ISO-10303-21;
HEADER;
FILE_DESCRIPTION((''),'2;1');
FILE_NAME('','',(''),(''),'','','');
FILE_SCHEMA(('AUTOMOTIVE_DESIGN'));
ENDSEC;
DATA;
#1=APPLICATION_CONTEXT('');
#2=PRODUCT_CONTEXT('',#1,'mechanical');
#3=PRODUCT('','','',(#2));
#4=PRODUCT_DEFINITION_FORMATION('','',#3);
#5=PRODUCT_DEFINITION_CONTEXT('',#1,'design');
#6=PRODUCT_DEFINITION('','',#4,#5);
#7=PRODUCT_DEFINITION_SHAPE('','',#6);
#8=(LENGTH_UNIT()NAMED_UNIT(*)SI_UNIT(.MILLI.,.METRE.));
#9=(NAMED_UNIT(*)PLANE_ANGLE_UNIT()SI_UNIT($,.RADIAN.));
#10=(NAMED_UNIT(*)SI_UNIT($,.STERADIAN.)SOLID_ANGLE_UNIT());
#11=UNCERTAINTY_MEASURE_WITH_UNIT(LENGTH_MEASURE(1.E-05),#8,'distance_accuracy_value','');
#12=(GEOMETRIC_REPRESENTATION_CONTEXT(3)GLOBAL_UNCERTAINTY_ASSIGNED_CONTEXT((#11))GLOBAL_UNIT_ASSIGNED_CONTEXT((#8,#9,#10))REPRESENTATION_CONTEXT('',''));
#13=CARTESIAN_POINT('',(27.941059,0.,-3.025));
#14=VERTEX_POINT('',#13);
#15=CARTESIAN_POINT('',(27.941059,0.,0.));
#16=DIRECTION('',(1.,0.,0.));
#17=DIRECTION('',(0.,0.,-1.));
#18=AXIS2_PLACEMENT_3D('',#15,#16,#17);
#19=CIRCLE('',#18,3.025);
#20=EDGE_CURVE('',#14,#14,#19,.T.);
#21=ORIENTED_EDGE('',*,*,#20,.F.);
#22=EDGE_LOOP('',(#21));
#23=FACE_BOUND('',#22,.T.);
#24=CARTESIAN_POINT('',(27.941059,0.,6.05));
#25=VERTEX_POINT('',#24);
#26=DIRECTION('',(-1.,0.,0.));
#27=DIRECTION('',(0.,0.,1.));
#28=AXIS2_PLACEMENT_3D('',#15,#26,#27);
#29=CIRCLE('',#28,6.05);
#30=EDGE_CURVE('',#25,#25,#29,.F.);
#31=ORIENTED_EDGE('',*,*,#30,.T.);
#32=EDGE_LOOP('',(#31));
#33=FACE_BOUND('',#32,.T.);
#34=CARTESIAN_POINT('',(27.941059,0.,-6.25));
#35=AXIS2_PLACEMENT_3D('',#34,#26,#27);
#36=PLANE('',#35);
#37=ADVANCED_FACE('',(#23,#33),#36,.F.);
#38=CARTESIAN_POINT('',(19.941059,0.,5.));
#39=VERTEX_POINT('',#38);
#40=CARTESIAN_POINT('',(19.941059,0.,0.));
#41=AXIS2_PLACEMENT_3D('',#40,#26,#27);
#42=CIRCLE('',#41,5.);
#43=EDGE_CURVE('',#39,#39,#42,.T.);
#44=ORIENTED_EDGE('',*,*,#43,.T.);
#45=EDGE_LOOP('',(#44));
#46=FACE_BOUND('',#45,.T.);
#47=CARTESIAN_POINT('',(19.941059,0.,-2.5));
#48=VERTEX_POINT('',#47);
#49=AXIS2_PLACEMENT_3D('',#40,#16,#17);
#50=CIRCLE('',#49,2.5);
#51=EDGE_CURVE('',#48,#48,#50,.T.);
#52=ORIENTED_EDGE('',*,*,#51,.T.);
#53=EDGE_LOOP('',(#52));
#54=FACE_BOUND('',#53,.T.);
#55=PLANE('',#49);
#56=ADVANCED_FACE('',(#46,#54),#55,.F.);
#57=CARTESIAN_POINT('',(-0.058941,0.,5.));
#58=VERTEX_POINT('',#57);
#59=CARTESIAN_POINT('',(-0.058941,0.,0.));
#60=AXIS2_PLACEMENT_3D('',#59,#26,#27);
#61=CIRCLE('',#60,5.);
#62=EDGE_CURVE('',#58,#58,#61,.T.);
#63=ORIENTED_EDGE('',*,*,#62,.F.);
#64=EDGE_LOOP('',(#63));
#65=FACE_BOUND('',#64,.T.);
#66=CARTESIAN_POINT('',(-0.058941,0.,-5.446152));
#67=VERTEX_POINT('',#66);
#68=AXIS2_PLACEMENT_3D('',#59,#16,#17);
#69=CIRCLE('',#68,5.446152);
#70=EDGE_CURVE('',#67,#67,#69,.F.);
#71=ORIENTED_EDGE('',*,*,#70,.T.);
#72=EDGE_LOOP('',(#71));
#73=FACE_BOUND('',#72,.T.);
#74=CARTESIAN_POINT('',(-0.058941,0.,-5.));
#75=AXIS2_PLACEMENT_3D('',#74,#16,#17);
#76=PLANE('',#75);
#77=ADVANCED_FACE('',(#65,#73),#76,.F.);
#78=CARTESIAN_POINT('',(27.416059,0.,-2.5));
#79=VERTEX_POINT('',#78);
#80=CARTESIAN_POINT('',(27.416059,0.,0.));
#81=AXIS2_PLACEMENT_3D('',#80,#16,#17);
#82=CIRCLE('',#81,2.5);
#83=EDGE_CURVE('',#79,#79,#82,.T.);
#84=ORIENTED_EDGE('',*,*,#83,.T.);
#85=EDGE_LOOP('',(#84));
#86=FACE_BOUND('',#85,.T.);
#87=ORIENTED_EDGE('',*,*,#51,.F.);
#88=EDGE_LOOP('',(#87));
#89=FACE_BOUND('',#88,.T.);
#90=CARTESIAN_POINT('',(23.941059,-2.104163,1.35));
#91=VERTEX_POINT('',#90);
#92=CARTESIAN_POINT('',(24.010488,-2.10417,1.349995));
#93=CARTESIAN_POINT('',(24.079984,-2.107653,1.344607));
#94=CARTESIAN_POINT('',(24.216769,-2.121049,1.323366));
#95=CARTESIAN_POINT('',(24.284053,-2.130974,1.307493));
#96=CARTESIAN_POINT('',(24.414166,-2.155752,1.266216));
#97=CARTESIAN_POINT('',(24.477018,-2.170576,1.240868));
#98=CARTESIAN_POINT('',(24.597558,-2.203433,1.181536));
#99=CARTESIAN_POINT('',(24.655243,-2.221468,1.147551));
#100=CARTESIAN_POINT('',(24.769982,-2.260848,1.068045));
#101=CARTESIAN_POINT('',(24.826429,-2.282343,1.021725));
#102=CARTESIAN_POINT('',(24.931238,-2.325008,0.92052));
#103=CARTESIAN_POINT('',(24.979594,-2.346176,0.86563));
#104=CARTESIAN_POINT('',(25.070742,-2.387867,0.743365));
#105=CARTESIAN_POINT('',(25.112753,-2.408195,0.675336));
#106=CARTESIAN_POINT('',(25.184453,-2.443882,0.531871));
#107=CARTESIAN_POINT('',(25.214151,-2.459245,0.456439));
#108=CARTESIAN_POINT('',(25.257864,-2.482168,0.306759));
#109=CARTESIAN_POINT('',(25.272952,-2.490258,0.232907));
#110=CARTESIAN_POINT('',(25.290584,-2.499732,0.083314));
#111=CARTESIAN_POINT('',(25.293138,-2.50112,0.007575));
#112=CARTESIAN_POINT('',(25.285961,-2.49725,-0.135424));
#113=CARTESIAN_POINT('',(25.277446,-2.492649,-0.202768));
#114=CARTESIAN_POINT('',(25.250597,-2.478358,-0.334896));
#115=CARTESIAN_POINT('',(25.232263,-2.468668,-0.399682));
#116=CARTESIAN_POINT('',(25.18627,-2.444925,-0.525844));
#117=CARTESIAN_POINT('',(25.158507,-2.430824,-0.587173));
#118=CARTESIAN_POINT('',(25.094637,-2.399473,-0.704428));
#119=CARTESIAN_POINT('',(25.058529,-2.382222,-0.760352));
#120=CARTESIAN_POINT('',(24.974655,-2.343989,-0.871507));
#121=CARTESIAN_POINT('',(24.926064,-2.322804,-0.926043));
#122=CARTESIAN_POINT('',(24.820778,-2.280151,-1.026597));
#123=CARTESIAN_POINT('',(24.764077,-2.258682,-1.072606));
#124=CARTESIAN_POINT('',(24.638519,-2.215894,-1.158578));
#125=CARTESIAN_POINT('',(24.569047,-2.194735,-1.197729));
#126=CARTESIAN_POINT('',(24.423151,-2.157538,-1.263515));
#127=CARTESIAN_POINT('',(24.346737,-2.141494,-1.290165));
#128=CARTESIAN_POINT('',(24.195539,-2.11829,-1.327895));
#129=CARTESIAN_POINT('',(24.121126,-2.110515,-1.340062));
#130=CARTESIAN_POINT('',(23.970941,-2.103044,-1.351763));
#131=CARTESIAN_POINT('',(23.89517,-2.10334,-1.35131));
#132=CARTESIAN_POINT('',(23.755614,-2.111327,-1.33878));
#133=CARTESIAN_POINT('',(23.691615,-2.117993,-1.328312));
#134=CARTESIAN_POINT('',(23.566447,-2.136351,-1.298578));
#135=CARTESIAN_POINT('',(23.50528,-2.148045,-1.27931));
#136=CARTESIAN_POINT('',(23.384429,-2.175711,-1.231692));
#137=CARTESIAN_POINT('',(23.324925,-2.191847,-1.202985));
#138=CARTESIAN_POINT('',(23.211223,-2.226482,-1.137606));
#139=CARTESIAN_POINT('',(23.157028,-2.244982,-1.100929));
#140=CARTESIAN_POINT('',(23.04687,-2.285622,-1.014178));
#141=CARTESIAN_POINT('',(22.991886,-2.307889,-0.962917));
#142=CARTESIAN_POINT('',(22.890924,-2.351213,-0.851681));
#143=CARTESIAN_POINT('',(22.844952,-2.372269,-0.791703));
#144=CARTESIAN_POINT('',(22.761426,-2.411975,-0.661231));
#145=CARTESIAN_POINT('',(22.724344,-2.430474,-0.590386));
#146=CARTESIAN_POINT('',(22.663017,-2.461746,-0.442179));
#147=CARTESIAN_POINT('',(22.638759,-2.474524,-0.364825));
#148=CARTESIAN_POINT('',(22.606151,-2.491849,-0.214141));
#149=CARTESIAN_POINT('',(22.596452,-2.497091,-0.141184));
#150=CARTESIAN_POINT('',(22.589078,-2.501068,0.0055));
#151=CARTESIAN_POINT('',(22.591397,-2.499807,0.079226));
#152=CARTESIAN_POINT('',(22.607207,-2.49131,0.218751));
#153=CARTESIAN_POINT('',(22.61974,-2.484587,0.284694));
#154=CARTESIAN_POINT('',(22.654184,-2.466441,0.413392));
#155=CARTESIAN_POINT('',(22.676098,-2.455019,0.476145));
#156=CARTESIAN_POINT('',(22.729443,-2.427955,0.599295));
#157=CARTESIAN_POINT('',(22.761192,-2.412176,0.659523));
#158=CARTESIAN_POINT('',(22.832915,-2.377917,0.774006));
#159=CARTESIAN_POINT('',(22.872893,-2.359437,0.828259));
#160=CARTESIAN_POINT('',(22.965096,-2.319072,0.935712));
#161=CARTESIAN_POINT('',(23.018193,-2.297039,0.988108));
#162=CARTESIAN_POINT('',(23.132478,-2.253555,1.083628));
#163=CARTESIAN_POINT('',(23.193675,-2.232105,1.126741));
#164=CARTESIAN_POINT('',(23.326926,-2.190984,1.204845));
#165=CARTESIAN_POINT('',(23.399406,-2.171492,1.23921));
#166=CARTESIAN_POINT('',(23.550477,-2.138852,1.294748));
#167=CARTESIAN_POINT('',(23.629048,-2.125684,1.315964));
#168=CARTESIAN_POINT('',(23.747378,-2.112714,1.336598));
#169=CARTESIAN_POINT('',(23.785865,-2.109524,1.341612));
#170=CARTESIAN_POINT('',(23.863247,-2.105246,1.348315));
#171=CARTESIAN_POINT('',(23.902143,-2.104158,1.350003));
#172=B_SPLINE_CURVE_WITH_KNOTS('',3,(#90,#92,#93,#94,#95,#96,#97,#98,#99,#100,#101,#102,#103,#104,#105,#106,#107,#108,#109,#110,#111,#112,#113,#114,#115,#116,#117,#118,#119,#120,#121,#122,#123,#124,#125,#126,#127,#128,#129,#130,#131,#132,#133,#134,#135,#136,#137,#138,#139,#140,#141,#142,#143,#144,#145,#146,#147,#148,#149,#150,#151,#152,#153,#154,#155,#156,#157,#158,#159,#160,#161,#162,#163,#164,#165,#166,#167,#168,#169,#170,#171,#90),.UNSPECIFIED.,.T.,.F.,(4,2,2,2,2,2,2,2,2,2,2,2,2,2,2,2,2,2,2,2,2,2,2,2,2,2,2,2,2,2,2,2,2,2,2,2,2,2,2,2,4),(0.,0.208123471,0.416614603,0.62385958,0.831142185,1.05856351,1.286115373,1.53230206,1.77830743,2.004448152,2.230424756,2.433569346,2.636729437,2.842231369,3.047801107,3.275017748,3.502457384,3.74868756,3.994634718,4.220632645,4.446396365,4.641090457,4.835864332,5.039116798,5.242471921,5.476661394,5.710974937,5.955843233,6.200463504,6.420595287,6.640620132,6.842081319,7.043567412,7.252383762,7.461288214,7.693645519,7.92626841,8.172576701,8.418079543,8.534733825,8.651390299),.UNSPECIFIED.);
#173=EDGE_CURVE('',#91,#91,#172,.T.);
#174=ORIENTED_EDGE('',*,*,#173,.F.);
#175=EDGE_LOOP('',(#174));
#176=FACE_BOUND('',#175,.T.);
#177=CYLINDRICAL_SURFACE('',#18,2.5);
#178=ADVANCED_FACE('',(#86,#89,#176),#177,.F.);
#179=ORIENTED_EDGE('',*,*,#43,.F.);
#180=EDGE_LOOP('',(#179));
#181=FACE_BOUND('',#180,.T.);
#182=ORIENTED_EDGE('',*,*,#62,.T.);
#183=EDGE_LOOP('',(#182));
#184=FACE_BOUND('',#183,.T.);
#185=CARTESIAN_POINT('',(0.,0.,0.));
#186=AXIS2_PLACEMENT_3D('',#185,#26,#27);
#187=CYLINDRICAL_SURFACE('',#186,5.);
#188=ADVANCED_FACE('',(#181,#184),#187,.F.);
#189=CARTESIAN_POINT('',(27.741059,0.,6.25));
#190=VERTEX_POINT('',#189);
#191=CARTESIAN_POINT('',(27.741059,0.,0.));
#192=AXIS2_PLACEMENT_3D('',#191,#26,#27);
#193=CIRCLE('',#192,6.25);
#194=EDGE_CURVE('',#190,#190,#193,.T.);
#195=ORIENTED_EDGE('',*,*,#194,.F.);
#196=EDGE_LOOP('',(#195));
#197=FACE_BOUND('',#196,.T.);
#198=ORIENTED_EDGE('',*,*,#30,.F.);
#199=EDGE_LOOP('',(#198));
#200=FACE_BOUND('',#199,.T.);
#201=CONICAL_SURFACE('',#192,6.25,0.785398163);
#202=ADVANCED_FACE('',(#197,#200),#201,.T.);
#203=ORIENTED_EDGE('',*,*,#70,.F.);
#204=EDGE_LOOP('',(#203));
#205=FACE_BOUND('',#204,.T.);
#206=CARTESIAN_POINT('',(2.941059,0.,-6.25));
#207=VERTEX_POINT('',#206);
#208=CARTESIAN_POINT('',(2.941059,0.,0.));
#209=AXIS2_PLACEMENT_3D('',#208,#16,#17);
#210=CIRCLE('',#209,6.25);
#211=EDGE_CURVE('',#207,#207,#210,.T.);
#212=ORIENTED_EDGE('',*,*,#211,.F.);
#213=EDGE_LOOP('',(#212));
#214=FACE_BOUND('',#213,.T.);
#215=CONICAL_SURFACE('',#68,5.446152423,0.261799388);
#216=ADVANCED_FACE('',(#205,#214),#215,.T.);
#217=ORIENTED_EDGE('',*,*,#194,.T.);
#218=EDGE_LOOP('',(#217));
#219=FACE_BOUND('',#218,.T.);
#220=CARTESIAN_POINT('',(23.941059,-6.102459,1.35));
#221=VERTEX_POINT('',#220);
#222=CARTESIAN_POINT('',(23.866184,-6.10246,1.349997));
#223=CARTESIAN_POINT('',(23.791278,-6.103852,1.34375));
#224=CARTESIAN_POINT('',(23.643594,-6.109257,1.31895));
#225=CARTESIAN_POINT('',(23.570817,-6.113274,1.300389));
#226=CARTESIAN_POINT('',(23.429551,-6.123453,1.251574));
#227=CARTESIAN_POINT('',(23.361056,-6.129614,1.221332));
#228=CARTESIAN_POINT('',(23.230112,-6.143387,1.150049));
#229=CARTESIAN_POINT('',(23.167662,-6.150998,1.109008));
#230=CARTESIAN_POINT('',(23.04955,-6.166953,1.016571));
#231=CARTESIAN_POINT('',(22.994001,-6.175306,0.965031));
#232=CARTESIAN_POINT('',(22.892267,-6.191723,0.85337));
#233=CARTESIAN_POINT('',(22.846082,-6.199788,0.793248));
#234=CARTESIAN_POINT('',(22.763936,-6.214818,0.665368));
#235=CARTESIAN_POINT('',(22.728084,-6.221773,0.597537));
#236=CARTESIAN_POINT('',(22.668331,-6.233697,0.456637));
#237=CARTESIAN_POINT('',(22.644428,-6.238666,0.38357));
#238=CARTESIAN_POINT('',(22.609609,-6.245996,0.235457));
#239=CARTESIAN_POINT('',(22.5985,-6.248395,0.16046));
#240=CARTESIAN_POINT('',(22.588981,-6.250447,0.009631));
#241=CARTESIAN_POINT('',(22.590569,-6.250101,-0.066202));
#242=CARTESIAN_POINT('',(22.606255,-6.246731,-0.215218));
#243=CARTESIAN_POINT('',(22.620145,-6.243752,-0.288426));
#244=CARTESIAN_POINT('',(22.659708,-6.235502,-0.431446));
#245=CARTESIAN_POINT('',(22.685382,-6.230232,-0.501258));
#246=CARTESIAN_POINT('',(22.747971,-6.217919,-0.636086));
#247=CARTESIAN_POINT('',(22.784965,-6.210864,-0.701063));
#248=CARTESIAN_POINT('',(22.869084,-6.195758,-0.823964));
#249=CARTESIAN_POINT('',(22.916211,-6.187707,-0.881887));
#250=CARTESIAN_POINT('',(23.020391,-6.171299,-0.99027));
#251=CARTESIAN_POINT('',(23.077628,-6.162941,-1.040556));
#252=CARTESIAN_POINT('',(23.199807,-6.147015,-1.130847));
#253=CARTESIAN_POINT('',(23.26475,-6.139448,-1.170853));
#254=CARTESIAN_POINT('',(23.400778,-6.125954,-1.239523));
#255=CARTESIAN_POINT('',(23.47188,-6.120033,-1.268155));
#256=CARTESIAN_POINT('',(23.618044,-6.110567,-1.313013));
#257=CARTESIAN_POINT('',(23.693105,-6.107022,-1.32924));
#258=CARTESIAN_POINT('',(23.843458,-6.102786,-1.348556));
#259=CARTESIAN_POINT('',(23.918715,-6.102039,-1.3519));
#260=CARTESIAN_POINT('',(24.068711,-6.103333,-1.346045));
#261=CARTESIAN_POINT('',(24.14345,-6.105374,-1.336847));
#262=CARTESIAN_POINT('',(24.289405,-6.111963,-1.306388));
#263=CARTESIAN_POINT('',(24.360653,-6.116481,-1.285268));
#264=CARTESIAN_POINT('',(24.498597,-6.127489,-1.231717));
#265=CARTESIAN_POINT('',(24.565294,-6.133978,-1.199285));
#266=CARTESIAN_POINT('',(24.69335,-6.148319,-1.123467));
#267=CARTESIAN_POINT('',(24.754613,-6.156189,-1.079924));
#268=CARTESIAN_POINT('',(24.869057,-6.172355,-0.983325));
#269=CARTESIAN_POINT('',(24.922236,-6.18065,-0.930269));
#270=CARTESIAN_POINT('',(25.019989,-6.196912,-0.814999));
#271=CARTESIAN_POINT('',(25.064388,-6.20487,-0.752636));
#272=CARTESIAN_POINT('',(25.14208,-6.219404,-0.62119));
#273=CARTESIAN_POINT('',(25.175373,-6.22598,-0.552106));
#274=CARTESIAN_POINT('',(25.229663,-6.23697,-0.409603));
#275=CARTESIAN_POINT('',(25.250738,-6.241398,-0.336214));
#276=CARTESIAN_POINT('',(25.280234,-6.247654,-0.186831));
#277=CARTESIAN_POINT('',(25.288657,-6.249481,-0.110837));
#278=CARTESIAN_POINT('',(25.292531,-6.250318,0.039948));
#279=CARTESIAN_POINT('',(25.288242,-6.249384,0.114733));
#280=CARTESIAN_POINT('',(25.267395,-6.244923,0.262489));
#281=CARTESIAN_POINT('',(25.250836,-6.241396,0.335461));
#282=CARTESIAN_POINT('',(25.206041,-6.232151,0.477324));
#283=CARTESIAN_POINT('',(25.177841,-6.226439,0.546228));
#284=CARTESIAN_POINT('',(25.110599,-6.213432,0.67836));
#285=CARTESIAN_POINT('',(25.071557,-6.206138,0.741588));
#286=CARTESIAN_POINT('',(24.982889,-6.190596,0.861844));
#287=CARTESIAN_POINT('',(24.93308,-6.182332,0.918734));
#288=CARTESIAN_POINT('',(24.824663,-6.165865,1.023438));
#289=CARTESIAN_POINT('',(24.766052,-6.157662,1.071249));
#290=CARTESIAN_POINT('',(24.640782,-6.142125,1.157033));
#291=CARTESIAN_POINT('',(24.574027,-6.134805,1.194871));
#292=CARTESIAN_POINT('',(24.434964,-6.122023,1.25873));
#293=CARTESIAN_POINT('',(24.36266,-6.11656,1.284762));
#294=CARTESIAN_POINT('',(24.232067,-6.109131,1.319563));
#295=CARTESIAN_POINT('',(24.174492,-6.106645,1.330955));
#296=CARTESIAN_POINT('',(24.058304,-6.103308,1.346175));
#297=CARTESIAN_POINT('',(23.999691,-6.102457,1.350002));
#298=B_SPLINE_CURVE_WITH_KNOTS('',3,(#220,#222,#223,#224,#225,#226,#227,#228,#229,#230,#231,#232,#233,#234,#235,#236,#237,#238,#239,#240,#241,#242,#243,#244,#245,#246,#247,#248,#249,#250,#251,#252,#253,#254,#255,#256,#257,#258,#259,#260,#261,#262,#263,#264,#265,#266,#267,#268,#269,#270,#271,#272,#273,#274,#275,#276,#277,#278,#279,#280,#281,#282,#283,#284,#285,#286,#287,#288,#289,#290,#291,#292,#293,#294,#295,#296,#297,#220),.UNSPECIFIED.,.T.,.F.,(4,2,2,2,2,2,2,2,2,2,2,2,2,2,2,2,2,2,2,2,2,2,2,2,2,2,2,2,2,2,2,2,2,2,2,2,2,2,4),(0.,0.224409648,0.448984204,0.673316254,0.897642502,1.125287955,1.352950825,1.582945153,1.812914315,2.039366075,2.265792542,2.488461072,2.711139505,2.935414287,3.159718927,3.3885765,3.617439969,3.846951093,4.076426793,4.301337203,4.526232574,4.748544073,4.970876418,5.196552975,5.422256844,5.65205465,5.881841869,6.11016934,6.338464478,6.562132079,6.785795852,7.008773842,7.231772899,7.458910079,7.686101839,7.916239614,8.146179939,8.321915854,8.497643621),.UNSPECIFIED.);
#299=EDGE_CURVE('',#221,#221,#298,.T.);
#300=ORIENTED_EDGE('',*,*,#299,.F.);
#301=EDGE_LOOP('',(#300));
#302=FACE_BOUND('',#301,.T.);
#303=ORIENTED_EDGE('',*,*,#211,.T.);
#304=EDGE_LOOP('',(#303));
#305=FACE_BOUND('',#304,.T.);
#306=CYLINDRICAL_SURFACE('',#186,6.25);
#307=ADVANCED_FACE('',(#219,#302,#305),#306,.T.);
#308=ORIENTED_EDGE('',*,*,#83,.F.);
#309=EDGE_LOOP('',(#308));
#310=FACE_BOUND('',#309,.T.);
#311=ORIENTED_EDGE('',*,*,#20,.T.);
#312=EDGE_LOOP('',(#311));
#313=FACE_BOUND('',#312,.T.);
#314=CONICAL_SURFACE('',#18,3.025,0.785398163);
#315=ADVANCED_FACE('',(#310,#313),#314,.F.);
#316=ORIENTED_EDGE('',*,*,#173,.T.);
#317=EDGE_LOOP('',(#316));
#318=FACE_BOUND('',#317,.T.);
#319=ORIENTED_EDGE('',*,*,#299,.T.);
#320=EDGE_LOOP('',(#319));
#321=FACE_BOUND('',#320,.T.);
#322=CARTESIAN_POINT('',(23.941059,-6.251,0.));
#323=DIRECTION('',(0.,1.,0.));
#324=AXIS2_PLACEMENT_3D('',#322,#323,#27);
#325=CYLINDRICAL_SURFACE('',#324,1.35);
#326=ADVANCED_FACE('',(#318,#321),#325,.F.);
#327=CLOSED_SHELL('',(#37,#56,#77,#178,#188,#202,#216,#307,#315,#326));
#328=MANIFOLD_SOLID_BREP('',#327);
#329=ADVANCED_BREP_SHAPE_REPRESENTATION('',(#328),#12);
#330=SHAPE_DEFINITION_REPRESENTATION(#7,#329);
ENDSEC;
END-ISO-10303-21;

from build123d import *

# Parameters (mm, degrees)
FURO_ROSCADO_DE_M61_D           = 5
FURO_ROSCADO_DE_M61_CSINK_D     = 6.05
FURO_ROSCADO_DE_M61_CSINK_ANGLE = 90
CHANFRO1_SIZE                   = 0.2
CHANFRO3_SIZE                   = 3
CHANFRO3_SIZE2                  = 0.803847577
CORTE_EXTRUS_O1_REACH           = 31.306
CORTE_EXTRUS_O1_END_RADIUS      = 6.25
ESBO_O7_R                       = 1.35


with BuildPart() as part:
    # Esboço1 → Revolução1 (revolve)
    with BuildSketch(Plane(origin=(0, 0, 0), x_dir=(1, 0, 0), z_dir=(0, 1, 0)), mode=Mode.PRIVATE) as revolu_o1_sk:
        Polygon((-0.058940995, 6.25), (27.941059005, 6.25), (27.941059005, 0), (19.941059005, 0), (19.941059005, 5), (-0.058940995, 5), align=None)
    revolve(revolu_o1_sk.sketch.rotate(Axis((0, 0, 0), (1, 0, 0)), 180), axis=Axis((0, 0, 0), (1, 0, 0)))

    # Furo roscado de M61 (through all)
    with Locations(Plane(origin=(27.941059005, 0, 0), x_dir=(0, 0, -1), z_dir=(1, 0, 0))):
        with Locations((0, 0)):
            CounterSinkHole(FURO_ROSCADO_DE_M61_D / 2, FURO_ROSCADO_DE_M61_CSINK_D / 2, counter_sink_angle=FURO_ROSCADO_DE_M61_CSINK_ANGLE)

    # Chanfro1
    chanfro1_edges = [part.edges().sort_by_distance(p)[0] for p in [
        (27.941059005, 0, -6.25),
    ]]
    chamfer(chanfro1_edges, length=CHANFRO1_SIZE)

    # Chanfro3
    chanfro3_edges = [part.edges().sort_by_distance(p)[0] for p in [
        (-0.058940995, 0, -6.25),
    ]]
    chanfro3_side = [part.faces().sort_by_distance(p)[0] for p in [
        (13.841059005, 0, -6.25),
    ]]
    chamfer(chanfro3_edges, length=CHANFRO3_SIZE, length2=CHANFRO3_SIZE2, reference=chanfro3_side[0])

    # Corte-extrusão1: up to this cylinder (the profile starts inside it)
    corte_extrus_o1_end = Plane(origin=(23.941059, 0, 0), z_dir=(-1, 0, 0)) * Cylinder(CORTE_EXTRUS_O1_END_RADIUS, 76.112, mode=Mode.PRIVATE)
    # Esboço7 → Corte-extrusão1 (cut, up to the surface)
    with BuildSketch(Plane(origin=(0, 0, 0), x_dir=(1, 0, 0), z_dir=(0, 1, 0)), mode=Mode.PRIVATE) as corte_extrus_o1_sk1:
        with Locations(Location((23.941059005, 0, 0), (0, 0, 270))):
            Circle(ESBO_O7_R)
    corte_extrus_o1_tool1 = extrude(corte_extrus_o1_sk1.sketch, amount=-CORTE_EXTRUS_O1_REACH, mode=Mode.PRIVATE) & corte_extrus_o1_end
    add(corte_extrus_o1_tool1.solids().sort_by_distance((23.941059, 0, 0))[0], mode=Mode.SUBTRACT)


solid = part.part
